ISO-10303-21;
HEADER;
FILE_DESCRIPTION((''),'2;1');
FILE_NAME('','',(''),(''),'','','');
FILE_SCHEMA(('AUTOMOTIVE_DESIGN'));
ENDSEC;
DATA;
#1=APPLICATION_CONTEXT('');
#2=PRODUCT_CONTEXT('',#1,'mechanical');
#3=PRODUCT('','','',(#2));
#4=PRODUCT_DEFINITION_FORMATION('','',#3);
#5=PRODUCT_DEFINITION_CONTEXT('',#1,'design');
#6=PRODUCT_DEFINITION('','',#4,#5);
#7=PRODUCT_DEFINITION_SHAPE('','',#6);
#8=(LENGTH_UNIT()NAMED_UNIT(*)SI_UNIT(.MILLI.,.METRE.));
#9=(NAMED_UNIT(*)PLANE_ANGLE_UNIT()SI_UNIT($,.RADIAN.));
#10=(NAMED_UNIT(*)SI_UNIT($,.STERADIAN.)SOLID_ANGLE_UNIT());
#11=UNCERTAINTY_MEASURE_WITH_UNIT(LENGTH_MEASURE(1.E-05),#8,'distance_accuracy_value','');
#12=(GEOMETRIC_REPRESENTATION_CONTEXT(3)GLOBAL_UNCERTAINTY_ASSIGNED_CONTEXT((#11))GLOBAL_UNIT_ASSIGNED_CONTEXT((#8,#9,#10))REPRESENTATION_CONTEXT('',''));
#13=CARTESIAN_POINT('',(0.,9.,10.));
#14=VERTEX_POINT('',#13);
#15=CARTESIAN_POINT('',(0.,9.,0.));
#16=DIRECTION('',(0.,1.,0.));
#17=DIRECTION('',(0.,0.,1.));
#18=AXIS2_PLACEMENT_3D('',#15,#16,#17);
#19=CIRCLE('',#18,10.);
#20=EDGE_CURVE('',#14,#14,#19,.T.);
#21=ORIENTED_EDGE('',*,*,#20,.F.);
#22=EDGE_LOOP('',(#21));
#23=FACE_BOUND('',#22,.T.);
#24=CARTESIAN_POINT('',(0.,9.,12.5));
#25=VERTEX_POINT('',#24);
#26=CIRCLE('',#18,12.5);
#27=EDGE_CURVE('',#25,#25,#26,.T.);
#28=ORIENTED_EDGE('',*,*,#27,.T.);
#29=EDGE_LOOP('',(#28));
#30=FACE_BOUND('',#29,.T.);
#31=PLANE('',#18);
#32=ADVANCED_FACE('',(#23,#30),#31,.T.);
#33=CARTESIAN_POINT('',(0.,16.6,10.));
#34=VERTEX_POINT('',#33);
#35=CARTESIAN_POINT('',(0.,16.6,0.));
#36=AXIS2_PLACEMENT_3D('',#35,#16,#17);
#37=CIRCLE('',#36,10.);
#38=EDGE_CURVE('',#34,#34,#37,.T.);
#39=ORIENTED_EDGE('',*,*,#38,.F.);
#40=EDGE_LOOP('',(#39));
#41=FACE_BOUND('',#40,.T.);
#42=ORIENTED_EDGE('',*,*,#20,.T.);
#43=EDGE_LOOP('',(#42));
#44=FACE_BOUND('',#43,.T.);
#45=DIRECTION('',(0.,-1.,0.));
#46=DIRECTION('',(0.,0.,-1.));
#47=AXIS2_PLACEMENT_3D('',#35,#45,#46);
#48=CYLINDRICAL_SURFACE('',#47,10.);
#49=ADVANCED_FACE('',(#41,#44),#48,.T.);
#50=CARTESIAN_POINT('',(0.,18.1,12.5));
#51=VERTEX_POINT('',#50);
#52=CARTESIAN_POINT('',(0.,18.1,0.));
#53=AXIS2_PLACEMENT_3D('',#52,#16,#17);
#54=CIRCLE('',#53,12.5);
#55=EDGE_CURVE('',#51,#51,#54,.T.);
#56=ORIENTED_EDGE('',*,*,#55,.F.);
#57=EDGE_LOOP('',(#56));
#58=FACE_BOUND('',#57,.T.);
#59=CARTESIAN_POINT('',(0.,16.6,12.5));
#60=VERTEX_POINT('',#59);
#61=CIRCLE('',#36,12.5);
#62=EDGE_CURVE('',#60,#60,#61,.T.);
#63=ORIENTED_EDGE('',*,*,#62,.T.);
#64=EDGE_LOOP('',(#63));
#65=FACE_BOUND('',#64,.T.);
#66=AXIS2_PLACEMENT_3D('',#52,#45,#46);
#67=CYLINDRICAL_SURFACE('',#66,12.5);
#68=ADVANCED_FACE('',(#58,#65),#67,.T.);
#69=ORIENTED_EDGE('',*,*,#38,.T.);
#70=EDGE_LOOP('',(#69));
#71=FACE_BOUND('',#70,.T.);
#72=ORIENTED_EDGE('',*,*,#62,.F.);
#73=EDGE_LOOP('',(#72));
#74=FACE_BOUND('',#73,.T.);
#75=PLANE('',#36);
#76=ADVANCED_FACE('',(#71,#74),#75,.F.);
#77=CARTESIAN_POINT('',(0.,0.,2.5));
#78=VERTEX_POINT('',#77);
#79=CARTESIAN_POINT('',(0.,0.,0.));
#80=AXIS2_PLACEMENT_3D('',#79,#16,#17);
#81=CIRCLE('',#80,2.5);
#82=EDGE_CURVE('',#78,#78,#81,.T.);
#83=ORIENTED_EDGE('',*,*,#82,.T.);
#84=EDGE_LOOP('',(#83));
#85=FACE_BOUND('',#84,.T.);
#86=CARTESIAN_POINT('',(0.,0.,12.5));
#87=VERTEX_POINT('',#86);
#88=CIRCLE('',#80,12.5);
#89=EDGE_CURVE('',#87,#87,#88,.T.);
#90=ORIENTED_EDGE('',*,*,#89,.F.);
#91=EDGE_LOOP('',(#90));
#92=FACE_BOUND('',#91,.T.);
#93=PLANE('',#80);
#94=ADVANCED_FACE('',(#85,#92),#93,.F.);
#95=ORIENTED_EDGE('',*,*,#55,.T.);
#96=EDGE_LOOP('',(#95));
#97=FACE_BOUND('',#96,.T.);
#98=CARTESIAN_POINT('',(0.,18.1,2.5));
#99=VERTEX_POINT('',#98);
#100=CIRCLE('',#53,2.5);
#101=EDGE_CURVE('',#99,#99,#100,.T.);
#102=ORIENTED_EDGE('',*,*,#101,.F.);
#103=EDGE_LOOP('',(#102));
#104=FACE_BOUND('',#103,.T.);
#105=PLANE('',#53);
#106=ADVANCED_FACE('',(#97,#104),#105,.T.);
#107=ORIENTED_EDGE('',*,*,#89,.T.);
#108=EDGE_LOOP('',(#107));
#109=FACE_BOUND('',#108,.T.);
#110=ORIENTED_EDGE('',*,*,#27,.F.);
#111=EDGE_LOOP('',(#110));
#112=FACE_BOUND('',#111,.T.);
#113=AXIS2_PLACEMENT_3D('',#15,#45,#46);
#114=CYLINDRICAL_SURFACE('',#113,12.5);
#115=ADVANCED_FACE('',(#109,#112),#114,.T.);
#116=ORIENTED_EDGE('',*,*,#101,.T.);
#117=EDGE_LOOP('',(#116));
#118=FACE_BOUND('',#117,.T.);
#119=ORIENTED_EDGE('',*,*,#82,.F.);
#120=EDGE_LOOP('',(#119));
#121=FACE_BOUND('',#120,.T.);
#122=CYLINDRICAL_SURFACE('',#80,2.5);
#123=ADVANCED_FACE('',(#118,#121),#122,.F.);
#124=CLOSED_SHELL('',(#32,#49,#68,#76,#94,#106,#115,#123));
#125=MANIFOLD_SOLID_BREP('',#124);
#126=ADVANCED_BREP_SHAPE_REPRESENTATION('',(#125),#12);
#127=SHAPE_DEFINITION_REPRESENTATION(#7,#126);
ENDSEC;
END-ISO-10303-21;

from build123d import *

# Parameters (mm, degrees)
SKETCH1_R           = 12.5
BOSS_EXTRUDE1_DEPTH = 9
SKETCH2_R           = 10
BOSS_EXTRUDE2_DEPTH = 7.6
SKETCH3_R           = 12.5
BOSS_EXTRUDE3_DEPTH = 1.5
SKETCH4_R           = 2.5
CUT_EXTRUDE1_DEPTH  = 19.1


with BuildPart() as part:
    # Sketch1 → Boss-Extrude1 (new body)
    with BuildSketch(Plane(origin=(0, 0, 0), x_dir=(1, 0, 0), z_dir=(0, 1, 0))):
        Circle(SKETCH1_R)
    extrude(amount=BOSS_EXTRUDE1_DEPTH)

    # Sketch2 → Boss-Extrude2 (add)
    with BuildSketch(Plane(origin=(0, 9, 0), x_dir=(1, 0, 0), z_dir=(0, 1, 0))):
        Circle(SKETCH2_R)
    extrude(amount=BOSS_EXTRUDE2_DEPTH)

    # Sketch3 → Boss-Extrude3 (add)
    with BuildSketch(Plane(origin=(0, 16.6, 0), x_dir=(1, 0, 0), z_dir=(0, 1, 0))):
        Circle(SKETCH3_R)
    extrude(amount=BOSS_EXTRUDE3_DEPTH)

    # Sketch4 → Cut-Extrude1 (cut, through all)
    with BuildSketch(Plane(origin=(0, 18.1, 0), x_dir=(1, 0, 0), z_dir=(0, 1, 0))):
        Circle(SKETCH4_R)
    extrude(amount=-CUT_EXTRUDE1_DEPTH, mode=Mode.SUBTRACT)


solid = part.part
